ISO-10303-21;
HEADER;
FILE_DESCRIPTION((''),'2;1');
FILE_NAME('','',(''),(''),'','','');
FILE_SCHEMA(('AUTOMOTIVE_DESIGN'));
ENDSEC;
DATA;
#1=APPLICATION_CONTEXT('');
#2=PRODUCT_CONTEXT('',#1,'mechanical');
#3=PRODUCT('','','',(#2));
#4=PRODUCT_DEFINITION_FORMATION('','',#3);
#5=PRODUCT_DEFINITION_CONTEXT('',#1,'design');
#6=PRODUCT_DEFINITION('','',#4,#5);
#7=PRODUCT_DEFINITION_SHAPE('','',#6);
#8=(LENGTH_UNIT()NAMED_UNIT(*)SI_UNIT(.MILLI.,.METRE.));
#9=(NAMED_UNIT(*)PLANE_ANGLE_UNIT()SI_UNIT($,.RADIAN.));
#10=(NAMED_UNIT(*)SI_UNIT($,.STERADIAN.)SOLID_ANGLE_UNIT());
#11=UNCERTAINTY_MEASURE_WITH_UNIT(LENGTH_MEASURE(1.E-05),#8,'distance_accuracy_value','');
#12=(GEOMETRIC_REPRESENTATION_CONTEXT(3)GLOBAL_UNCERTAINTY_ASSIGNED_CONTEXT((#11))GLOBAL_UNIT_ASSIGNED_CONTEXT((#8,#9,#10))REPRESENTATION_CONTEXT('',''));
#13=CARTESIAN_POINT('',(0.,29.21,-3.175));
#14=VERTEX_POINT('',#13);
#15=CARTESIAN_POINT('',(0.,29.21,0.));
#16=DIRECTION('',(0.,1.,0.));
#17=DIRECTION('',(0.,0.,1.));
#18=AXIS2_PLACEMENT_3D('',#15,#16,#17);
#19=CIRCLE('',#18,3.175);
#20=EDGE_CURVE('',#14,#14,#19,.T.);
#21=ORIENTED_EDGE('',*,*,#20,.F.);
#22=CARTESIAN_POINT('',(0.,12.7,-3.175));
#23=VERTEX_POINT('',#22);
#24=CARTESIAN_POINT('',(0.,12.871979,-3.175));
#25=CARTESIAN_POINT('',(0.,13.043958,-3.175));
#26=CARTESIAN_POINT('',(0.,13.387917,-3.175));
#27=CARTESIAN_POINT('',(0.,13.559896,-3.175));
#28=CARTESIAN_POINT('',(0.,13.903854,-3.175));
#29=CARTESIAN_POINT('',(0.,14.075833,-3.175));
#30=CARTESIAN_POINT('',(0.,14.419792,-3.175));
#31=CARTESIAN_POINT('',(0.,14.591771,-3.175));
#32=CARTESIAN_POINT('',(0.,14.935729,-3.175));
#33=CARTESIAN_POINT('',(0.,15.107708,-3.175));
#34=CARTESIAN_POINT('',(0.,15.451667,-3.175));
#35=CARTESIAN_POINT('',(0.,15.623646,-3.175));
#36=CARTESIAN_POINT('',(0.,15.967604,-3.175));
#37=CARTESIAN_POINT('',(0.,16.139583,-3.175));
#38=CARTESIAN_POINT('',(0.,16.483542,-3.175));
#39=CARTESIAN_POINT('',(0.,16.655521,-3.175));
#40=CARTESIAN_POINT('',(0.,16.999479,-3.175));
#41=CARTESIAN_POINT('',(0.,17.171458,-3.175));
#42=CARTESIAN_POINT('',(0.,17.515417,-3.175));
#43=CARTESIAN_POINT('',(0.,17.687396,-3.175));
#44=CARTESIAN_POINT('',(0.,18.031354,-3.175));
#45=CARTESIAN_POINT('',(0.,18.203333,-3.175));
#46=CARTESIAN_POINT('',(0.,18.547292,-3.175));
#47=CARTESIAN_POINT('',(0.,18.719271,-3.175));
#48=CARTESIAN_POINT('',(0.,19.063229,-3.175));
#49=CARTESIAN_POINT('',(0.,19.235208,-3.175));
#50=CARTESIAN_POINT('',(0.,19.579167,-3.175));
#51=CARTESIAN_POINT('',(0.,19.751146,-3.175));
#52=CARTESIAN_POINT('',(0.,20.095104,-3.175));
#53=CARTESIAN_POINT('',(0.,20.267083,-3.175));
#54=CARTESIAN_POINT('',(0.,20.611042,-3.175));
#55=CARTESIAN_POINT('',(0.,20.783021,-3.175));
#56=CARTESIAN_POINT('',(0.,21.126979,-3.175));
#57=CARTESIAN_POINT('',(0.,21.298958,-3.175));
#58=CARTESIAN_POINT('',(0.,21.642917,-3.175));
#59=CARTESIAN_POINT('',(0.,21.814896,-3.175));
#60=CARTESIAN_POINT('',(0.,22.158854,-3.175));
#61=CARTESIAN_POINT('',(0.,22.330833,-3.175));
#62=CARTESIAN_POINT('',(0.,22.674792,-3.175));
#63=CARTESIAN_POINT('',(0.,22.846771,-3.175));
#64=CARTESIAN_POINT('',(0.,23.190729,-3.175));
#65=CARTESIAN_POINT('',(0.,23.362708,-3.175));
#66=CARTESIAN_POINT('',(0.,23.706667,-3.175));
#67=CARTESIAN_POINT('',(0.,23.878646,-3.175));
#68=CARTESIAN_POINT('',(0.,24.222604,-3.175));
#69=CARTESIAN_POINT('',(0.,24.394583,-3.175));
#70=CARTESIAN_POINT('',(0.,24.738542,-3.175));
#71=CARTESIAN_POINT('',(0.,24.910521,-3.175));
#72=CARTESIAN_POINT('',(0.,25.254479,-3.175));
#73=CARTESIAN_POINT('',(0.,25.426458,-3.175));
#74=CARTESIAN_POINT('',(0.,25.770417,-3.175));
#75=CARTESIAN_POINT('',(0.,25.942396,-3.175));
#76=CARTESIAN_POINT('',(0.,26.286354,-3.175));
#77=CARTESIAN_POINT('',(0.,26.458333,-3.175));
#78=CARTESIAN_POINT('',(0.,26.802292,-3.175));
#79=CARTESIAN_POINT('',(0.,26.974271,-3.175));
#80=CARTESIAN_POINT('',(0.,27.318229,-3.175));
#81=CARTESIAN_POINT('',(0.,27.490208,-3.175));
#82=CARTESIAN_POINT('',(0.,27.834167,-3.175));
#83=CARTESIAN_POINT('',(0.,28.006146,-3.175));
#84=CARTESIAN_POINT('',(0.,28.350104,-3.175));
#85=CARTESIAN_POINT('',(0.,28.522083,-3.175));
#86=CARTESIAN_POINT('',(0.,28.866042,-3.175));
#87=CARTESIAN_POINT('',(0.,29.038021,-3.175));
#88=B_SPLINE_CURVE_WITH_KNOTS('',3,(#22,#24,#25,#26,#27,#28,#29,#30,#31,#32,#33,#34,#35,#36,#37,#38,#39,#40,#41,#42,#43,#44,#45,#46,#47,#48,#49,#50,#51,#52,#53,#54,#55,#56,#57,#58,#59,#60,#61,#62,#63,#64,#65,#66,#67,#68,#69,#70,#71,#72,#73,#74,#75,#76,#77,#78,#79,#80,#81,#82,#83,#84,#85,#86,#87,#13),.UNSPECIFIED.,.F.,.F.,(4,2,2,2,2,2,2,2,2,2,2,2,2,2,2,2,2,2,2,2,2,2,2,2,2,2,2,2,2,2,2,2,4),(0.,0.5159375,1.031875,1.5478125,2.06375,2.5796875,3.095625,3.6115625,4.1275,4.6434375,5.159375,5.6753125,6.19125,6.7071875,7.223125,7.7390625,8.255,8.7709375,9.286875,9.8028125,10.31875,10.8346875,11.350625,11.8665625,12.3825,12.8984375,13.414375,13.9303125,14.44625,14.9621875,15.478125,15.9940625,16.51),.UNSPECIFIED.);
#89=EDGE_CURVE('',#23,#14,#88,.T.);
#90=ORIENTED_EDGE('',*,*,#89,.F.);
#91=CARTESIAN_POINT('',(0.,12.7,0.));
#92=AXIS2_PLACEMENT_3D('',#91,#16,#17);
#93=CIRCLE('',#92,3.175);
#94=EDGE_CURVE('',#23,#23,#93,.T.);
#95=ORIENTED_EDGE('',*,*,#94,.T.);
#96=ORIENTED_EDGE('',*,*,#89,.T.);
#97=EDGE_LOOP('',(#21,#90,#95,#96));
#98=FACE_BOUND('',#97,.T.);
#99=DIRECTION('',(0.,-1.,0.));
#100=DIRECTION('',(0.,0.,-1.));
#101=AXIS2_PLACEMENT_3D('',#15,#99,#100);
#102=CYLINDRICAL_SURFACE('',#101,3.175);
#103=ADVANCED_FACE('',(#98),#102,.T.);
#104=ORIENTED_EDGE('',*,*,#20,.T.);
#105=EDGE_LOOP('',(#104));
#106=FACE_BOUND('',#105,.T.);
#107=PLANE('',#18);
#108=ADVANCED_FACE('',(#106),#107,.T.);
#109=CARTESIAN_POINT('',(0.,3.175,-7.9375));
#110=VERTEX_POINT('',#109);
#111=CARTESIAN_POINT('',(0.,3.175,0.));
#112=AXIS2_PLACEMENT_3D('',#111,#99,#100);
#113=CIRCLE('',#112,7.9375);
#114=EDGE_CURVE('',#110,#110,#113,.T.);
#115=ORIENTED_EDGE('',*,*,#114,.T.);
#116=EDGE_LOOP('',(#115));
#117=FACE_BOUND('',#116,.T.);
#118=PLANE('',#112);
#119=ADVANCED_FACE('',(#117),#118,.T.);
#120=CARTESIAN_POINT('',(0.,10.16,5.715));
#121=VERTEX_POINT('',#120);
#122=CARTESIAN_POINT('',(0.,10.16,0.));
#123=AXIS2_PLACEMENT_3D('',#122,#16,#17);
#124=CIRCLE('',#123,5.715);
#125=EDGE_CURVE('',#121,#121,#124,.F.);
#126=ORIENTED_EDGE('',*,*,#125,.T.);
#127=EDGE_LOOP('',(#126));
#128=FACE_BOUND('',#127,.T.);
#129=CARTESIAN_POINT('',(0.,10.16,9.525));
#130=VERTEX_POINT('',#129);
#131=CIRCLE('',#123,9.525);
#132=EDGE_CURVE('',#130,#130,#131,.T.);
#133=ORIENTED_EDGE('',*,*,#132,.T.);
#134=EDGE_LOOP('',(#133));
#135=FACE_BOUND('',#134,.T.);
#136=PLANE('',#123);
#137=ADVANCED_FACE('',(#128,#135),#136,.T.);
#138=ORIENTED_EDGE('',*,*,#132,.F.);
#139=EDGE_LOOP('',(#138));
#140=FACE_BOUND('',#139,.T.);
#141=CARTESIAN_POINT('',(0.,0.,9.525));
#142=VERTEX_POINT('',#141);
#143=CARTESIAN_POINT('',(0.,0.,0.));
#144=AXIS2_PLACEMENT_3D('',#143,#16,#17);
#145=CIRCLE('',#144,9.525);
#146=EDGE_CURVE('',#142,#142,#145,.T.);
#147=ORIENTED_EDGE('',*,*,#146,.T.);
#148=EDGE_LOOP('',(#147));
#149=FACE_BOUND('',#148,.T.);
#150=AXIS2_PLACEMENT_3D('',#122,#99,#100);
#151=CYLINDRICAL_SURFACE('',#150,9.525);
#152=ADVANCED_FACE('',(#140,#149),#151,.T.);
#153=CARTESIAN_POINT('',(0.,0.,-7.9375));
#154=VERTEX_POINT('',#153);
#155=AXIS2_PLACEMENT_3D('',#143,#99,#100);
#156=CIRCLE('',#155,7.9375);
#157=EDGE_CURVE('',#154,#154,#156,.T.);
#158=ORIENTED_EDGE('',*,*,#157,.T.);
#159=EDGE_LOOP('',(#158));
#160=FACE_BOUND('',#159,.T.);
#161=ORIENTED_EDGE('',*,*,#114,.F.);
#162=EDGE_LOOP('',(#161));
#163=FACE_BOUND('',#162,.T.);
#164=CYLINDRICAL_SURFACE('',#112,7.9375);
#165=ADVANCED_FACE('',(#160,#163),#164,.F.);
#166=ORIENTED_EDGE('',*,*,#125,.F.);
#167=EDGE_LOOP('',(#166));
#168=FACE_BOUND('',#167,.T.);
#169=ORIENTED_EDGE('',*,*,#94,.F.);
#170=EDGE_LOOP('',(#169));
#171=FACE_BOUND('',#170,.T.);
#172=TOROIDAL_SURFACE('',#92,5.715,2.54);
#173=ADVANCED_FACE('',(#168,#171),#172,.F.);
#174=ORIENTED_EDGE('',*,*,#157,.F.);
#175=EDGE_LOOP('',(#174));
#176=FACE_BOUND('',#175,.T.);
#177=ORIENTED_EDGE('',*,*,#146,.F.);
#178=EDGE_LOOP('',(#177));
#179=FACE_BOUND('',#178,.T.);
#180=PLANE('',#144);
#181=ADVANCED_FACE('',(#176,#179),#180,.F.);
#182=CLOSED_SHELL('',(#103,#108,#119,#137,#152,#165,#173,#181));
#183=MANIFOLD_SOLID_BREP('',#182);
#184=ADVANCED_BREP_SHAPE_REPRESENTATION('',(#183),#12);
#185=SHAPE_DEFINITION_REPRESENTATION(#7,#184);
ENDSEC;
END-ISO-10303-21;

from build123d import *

# Parameters (mm, degrees)
SKETCH1_R           = 9.525
BOSS_EXTRUDE1_DEPTH = 10.16
SKETCH2_R           = 7.9375
CUT_EXTRUDE1_DEPTH  = 3.175
SKETCH3_R           = 3.175
BOSS_EXTRUDE2_DEPTH = 19.05
FILLET1_R           = 2.54


with BuildPart() as part:
    # Sketch1 → Boss-Extrude1 (new body)
    with BuildSketch(Plane(origin=(0, 0, 0), x_dir=(1, 0, 0), z_dir=(0, 1, 0))):
        with Locations(Location((0, 0, 0), (0, 0, 270))):
            Circle(SKETCH1_R)
    extrude(amount=BOSS_EXTRUDE1_DEPTH)

    # Sketch2 → Cut-Extrude1 (cut)
    with BuildSketch(Plane(origin=(0, 0, 0), x_dir=(-1, 0, 0), z_dir=(0, -1, 0))):
        with Locations(Location((0, 0, 0), (0, 0, 90))):
            Circle(SKETCH2_R)
    extrude(amount=-CUT_EXTRUDE1_DEPTH, mode=Mode.SUBTRACT)

    # Sketch3 → Boss-Extrude2 (add)
    with BuildSketch(Plane(origin=(0, 10.16, 0), x_dir=(1, 0, 0), z_dir=(0, 1, 0))):
        with Locations(Location((0, 0, 0), (0, 0, 90))):
            Circle(SKETCH3_R)
    extrude(amount=BOSS_EXTRUDE2_DEPTH)

    # Fillet1
    fillet1_edges = [part.edges().sort_by_distance(p)[0] for p in [
        (0, 10.16, 3.175),
    ]]
    fillet(fillet1_edges, radius=FILLET1_R)


solid = part.part
